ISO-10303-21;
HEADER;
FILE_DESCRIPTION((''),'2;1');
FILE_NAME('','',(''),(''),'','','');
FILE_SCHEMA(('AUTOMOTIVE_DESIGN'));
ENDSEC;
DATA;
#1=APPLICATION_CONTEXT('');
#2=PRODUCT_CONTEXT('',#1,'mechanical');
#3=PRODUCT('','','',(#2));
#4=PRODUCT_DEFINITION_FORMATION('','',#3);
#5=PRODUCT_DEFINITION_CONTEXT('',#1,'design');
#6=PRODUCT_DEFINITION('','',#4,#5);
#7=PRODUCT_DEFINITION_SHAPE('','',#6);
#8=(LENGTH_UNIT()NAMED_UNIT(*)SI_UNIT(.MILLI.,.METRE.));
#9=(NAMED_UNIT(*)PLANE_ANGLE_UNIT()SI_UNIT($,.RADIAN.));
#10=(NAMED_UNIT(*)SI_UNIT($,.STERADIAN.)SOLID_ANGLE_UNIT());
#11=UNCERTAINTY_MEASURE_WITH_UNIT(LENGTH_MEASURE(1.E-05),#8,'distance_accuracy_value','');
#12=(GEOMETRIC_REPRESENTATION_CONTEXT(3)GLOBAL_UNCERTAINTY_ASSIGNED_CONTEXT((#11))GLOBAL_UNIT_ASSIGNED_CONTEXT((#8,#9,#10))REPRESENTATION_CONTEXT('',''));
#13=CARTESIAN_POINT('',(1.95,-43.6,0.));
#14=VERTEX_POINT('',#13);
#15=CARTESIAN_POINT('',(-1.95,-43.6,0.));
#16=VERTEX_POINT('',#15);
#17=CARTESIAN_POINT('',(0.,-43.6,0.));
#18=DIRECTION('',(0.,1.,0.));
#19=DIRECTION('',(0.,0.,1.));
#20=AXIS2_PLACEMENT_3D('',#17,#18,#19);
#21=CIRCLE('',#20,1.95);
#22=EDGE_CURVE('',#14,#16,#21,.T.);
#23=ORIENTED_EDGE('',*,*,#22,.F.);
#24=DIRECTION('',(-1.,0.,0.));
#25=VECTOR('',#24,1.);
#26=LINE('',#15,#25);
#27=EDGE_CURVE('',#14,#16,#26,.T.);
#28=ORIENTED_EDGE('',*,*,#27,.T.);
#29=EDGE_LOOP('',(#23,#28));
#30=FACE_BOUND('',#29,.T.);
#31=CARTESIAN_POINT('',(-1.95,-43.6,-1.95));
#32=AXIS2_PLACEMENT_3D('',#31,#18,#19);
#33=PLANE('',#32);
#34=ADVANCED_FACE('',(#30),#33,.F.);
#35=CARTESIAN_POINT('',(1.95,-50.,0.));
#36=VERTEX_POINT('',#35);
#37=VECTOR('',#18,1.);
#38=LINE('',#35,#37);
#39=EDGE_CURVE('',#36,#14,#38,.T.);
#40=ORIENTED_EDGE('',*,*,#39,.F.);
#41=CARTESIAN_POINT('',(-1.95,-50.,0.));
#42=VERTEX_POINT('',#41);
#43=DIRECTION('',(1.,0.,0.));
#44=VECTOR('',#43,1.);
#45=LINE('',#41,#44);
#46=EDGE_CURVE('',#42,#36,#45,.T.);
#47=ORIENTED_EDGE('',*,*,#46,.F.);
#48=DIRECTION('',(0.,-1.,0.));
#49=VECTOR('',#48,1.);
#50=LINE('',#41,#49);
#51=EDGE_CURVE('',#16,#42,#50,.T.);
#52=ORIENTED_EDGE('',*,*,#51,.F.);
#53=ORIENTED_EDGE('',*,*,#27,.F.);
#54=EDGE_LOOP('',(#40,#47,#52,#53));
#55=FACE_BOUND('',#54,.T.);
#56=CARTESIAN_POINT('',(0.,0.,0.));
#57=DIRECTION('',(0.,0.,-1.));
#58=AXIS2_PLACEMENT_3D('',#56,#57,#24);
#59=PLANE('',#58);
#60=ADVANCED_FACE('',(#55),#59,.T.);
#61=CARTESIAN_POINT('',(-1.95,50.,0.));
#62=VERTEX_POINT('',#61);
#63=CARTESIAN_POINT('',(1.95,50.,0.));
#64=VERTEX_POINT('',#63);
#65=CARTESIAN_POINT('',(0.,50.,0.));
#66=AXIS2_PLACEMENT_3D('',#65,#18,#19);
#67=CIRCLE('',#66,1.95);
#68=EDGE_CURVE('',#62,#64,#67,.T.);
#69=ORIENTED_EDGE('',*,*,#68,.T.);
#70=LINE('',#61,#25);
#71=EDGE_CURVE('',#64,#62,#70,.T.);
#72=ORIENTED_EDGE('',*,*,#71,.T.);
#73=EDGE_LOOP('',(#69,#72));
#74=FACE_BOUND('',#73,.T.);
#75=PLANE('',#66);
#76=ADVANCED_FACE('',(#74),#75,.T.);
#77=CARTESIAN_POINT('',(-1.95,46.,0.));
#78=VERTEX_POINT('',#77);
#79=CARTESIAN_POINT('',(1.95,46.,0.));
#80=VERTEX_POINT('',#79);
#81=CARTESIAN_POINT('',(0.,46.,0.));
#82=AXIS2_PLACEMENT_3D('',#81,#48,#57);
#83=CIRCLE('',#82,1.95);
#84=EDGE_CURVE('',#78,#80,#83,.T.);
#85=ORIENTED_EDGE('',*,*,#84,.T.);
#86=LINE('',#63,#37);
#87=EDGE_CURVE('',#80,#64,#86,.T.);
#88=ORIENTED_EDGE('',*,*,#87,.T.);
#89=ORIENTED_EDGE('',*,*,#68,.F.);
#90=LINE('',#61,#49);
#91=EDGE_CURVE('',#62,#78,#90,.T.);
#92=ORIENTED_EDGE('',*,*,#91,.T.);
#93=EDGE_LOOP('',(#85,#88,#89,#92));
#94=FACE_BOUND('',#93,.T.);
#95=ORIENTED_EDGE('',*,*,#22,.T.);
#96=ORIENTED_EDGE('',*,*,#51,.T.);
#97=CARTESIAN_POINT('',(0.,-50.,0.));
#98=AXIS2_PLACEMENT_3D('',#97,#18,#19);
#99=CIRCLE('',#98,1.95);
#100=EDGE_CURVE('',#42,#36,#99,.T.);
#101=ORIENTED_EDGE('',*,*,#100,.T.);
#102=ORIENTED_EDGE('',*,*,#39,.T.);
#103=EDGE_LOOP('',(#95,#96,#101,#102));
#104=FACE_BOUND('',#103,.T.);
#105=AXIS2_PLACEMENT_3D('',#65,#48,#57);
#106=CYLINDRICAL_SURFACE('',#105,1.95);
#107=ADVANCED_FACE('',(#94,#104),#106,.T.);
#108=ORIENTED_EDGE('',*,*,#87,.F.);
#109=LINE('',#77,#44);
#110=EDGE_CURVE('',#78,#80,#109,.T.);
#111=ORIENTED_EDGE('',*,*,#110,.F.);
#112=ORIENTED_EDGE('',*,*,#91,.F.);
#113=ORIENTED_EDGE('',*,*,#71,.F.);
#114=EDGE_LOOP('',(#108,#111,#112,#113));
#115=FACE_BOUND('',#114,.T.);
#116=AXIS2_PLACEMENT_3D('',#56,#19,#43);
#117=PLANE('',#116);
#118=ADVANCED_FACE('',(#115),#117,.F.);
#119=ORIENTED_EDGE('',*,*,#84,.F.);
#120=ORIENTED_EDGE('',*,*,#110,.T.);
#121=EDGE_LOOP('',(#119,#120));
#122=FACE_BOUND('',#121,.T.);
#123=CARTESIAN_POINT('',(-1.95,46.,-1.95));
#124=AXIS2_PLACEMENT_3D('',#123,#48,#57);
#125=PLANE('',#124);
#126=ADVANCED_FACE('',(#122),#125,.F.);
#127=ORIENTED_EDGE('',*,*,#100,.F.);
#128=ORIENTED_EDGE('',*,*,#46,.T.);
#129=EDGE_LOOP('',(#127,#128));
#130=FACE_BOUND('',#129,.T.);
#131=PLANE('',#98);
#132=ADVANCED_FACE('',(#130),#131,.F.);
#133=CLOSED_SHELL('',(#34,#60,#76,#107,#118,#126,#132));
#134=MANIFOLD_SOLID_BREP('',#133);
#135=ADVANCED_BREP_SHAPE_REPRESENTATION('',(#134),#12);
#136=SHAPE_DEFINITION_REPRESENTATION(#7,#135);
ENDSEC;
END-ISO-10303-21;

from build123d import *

# Parameters (mm, degrees)
SKETCH1_R           = 1.95
BOSS_EXTRUDE1_DEPTH = 50
SKETCH2_W           = 3.9
SKETCH2_H           = 4
SKETCH2_H_2         = 6.4
CUT_EXTRUDE1_DEPTH  = 51.075992252


with BuildPart() as part:
    # Sketch1 → Boss-Extrude1 (new, symmetric)
    with BuildSketch(Plane(origin=(0, 0, 0), x_dir=(1, 0, 0), z_dir=(0, 1, 0))):
        with Locations(Location((0, 0, 0), (0, 0, 270))):
            Circle(SKETCH1_R)
    extrude(amount=BOSS_EXTRUDE1_DEPTH, both=True)

    # Sketch2 → Cut-Extrude1 (cut, through all)
    with BuildSketch(Plane.XY):
        with Locations((0, 48)):
            Rectangle(SKETCH2_W, SKETCH2_H)
        with Locations((0, -46.8)):
            Rectangle(SKETCH2_W, SKETCH2_H_2)
    extrude(amount=-CUT_EXTRUDE1_DEPTH, mode=Mode.SUBTRACT)


solid = part.part
